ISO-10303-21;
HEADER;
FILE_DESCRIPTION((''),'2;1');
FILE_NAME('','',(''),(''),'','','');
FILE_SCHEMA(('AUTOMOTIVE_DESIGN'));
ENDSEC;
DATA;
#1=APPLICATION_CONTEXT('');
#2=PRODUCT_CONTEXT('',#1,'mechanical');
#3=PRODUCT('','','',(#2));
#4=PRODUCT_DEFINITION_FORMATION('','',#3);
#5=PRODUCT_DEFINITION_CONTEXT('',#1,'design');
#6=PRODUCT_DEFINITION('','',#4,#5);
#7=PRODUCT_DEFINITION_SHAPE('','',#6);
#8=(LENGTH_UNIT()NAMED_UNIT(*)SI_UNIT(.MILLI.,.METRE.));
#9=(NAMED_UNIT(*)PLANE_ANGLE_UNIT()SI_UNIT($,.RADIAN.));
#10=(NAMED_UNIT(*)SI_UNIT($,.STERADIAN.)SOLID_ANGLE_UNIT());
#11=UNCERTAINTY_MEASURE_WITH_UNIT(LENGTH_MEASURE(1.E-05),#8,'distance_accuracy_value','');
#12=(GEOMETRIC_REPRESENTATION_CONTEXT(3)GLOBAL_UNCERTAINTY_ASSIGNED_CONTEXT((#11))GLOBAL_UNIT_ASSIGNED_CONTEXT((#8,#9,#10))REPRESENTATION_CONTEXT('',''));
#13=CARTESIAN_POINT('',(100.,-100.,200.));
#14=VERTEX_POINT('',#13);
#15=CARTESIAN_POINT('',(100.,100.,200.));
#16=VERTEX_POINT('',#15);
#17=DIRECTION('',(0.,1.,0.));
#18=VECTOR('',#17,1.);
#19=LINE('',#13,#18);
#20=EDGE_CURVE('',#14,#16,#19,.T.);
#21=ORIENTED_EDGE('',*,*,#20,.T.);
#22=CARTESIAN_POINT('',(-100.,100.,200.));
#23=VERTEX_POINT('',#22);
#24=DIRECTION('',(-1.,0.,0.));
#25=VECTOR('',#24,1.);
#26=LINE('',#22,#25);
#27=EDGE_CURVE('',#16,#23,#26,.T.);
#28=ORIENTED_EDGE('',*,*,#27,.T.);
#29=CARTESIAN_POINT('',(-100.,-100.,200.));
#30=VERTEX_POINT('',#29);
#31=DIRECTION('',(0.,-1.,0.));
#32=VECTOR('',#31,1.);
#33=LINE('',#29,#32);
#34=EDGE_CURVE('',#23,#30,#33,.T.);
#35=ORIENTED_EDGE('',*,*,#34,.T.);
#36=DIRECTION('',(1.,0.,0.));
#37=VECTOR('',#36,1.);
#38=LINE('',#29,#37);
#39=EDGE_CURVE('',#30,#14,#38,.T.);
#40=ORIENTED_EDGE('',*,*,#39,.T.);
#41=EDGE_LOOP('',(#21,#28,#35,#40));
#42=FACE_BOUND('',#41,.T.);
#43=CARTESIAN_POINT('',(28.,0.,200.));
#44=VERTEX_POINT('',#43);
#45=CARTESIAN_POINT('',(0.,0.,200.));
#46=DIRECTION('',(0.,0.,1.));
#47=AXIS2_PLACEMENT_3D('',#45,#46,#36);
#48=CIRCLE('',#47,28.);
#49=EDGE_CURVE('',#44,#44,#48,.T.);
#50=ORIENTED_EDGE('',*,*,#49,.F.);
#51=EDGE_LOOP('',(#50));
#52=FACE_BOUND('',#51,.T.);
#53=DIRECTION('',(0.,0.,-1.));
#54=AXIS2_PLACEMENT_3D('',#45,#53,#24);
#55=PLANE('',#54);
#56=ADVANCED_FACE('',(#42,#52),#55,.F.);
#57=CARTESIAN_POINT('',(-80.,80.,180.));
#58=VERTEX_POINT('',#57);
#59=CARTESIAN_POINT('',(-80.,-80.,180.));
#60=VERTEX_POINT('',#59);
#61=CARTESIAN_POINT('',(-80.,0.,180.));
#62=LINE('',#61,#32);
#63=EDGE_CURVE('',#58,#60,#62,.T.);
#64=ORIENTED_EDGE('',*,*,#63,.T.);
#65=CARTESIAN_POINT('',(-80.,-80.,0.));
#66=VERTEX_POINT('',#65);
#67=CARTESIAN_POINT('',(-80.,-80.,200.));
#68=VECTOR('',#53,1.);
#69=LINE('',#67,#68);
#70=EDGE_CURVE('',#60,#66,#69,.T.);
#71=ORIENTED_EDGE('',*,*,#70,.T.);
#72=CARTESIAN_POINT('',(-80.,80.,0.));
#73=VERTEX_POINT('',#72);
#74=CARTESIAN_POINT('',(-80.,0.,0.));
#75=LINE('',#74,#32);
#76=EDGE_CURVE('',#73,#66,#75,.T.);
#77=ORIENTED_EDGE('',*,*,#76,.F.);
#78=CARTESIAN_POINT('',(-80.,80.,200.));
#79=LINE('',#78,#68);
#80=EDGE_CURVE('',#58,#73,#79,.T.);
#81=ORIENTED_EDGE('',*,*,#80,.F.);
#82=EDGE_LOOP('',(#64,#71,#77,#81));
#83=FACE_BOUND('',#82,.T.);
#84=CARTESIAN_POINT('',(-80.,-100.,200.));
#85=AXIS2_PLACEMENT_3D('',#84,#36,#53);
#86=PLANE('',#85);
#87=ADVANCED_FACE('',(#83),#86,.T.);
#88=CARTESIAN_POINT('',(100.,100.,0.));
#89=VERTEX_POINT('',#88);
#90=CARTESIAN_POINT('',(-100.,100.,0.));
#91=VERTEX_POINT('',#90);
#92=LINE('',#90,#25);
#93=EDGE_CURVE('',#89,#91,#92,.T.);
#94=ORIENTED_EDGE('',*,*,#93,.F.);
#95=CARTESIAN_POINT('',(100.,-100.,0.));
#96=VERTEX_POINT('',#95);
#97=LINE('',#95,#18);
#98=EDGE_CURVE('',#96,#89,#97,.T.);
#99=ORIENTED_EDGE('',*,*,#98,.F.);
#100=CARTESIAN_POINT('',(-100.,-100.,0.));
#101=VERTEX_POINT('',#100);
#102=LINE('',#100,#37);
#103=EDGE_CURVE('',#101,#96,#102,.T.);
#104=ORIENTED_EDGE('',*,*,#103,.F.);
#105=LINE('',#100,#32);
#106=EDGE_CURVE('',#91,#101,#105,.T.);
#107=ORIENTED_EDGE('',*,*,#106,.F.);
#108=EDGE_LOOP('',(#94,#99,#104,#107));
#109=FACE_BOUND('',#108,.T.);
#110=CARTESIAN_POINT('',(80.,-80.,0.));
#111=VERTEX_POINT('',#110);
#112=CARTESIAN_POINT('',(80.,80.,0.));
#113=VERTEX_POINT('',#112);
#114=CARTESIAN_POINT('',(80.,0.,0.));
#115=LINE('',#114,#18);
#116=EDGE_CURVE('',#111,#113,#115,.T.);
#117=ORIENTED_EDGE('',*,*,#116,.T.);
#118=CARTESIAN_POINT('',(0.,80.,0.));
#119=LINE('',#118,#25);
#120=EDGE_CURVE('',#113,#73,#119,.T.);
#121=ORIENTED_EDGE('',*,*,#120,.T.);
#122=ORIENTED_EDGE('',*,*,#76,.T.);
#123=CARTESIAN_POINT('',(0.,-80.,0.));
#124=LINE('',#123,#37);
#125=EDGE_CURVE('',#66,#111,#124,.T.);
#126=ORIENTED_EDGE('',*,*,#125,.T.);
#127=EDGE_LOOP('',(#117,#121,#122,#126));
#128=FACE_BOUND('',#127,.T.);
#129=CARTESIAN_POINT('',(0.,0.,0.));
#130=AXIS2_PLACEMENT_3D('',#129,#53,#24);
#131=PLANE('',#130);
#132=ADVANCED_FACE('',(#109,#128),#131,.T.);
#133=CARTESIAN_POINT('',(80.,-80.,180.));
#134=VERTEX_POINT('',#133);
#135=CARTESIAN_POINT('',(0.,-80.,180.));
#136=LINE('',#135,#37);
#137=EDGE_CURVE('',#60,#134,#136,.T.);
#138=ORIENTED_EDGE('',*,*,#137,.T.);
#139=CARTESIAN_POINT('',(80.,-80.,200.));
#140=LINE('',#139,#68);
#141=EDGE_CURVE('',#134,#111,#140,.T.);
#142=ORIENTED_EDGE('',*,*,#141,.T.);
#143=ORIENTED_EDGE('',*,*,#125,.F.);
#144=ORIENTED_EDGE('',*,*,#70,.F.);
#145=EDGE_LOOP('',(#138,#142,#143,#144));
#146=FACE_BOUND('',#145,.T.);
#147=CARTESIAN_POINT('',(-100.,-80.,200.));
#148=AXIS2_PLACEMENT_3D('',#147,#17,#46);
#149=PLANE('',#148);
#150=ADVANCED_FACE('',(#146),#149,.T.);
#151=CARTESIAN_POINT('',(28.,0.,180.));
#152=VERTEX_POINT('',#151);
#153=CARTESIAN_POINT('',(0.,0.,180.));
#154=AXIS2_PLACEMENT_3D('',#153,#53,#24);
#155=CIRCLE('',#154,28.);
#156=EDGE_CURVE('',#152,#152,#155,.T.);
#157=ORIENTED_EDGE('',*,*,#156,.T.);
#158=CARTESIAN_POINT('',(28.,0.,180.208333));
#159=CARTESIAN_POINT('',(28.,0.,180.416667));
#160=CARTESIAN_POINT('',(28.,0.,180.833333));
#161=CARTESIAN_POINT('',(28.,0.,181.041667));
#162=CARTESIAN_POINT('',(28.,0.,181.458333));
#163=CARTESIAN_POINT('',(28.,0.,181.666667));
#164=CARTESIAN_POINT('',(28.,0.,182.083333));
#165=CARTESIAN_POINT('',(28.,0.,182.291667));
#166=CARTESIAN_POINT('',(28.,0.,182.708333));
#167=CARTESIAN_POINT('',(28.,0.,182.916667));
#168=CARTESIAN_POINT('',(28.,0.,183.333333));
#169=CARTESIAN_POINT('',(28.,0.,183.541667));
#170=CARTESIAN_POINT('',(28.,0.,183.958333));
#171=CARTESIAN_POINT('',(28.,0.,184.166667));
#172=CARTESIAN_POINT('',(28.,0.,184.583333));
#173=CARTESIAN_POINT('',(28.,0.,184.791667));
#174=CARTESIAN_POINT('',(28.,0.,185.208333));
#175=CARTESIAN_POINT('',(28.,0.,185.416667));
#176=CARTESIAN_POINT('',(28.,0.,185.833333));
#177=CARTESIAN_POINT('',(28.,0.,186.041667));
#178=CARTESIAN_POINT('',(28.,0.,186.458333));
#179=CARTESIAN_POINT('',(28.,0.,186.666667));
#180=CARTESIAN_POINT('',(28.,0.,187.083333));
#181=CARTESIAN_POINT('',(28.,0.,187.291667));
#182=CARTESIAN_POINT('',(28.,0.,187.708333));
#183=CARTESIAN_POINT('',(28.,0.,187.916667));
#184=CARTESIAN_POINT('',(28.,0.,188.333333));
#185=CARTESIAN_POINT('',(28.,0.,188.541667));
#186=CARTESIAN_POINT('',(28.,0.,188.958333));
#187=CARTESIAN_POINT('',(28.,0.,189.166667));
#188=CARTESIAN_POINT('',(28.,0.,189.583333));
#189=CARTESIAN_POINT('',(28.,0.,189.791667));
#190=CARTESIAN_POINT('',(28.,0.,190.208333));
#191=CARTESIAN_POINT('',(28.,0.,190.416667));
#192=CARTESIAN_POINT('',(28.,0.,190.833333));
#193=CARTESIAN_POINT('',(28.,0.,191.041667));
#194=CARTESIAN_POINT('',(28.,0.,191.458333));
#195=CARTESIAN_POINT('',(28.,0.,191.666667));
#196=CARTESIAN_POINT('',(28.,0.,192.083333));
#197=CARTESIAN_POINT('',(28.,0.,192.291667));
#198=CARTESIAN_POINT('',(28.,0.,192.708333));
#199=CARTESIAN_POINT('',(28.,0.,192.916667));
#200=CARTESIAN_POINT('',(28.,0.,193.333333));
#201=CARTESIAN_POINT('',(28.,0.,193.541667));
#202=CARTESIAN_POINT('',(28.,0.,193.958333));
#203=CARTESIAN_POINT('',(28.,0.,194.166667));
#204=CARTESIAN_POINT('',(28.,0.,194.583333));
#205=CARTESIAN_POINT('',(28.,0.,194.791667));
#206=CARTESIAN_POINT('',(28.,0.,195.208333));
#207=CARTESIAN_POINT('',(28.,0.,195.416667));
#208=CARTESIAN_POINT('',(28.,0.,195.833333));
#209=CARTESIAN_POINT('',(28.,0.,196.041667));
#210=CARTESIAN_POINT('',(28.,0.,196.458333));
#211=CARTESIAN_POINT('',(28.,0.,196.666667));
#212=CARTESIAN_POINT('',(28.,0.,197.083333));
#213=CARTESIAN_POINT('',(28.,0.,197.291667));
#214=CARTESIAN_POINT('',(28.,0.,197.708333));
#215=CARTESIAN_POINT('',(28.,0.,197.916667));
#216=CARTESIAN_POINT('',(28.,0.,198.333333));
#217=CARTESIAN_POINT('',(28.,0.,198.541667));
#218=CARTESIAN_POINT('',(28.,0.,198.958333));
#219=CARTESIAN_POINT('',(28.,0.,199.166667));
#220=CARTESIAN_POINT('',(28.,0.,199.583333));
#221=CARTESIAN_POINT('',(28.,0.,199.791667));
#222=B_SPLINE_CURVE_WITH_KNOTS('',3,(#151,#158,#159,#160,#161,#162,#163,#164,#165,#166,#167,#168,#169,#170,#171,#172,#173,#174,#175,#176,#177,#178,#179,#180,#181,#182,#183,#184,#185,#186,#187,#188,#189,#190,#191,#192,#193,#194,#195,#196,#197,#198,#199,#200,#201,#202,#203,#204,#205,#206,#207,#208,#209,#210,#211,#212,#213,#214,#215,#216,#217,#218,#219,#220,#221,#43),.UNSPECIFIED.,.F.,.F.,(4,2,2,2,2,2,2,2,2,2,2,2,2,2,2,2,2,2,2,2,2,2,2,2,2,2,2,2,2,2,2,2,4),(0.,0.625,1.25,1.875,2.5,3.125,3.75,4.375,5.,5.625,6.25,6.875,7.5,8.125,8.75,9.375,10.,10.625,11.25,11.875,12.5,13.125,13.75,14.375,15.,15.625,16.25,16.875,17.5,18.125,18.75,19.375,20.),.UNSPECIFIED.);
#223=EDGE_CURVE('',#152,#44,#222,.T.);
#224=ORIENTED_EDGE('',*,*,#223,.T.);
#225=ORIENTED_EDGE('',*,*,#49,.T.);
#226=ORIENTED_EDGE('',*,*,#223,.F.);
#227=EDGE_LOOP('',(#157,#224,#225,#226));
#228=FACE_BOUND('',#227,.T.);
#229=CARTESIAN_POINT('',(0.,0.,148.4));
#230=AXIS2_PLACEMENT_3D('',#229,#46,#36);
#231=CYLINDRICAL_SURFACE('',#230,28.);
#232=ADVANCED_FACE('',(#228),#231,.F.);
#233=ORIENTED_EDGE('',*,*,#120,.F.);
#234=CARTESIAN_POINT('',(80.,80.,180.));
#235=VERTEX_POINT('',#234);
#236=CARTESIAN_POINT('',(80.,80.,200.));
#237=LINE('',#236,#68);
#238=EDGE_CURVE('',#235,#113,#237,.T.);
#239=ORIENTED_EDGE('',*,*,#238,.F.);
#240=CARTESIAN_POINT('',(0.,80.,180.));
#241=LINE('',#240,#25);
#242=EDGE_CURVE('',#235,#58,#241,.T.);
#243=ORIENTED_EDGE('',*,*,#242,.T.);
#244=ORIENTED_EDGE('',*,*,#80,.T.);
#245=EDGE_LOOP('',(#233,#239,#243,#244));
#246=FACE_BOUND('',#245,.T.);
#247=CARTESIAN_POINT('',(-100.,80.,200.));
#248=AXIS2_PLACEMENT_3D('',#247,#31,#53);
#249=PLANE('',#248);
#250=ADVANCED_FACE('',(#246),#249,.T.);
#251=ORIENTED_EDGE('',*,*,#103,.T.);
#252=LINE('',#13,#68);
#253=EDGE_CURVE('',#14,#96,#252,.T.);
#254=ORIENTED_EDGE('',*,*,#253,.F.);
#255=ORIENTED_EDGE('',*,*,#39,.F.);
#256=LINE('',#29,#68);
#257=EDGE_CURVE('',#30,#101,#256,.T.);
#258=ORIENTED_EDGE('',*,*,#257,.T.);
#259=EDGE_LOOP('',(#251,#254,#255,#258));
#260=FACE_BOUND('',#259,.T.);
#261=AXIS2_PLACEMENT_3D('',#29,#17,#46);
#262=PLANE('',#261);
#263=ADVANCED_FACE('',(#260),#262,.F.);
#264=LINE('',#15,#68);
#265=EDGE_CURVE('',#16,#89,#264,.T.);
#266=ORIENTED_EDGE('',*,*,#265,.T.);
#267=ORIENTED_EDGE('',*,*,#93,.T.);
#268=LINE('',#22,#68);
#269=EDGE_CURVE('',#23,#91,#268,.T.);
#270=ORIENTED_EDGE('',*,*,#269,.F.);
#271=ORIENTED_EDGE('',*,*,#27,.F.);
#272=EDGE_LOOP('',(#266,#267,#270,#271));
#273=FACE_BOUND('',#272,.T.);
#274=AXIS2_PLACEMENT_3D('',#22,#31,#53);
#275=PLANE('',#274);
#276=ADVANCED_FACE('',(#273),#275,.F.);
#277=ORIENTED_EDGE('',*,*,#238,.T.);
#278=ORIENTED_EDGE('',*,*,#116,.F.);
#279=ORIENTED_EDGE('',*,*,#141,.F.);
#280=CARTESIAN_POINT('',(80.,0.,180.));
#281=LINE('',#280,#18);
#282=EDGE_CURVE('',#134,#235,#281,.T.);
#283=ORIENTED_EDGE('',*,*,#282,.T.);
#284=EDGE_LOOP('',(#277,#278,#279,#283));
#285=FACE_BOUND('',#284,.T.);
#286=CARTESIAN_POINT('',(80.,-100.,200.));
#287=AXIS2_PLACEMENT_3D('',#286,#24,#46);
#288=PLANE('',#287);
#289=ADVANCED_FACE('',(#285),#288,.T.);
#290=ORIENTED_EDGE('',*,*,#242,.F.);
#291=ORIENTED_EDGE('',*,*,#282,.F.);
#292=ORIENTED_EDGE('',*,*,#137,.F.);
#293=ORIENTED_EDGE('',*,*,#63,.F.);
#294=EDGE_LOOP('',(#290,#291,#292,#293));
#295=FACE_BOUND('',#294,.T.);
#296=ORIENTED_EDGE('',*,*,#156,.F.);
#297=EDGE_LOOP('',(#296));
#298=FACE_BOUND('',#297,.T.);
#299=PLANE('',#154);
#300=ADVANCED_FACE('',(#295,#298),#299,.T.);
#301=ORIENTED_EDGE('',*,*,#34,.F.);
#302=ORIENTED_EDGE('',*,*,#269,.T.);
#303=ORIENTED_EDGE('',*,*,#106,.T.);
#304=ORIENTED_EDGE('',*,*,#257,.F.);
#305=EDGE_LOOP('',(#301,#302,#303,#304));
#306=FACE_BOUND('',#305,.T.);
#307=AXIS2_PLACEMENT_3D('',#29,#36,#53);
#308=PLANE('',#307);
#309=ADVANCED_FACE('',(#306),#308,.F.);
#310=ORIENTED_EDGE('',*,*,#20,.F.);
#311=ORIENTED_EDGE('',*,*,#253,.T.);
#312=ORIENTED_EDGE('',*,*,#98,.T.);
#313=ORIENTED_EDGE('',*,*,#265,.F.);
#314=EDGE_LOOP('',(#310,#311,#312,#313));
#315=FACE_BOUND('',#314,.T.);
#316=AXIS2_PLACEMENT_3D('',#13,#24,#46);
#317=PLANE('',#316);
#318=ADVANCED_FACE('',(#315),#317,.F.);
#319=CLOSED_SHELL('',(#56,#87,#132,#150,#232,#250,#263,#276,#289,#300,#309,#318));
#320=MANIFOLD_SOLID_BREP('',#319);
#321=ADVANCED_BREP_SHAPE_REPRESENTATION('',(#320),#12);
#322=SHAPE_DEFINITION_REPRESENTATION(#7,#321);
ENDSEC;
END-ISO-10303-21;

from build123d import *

# Parameters (mm, degrees)
SKETCH5_W           = 200
SKETCH5_H           = 200
BOSS_EXTRUDE2_DEPTH = 200
SHELL2_T            = -20
SKETCH6_R           = 28
CUT_EXTRUDE2_DEPTH  = 51.6


with BuildPart() as part:
    # Sketch5 → Boss-Extrude2 (new body)
    with BuildSketch(Plane.XY):
        Rectangle(SKETCH5_W, SKETCH5_H)
    extrude(amount=BOSS_EXTRUDE2_DEPTH)

    # Shell2
    shell2_openings = [part.faces().sort_by_distance(p)[0] for p in [
        (0, 0, 0),
    ]]
    offset(amount=SHELL2_T, openings=shell2_openings, kind=Kind.INTERSECTION)

    # Sketch6 → Cut-Extrude2 (cut)
    with BuildSketch(Plane.XY.offset(200)):
        Circle(SKETCH6_R)
    extrude(amount=-CUT_EXTRUDE2_DEPTH, mode=Mode.SUBTRACT)


solid = part.part
